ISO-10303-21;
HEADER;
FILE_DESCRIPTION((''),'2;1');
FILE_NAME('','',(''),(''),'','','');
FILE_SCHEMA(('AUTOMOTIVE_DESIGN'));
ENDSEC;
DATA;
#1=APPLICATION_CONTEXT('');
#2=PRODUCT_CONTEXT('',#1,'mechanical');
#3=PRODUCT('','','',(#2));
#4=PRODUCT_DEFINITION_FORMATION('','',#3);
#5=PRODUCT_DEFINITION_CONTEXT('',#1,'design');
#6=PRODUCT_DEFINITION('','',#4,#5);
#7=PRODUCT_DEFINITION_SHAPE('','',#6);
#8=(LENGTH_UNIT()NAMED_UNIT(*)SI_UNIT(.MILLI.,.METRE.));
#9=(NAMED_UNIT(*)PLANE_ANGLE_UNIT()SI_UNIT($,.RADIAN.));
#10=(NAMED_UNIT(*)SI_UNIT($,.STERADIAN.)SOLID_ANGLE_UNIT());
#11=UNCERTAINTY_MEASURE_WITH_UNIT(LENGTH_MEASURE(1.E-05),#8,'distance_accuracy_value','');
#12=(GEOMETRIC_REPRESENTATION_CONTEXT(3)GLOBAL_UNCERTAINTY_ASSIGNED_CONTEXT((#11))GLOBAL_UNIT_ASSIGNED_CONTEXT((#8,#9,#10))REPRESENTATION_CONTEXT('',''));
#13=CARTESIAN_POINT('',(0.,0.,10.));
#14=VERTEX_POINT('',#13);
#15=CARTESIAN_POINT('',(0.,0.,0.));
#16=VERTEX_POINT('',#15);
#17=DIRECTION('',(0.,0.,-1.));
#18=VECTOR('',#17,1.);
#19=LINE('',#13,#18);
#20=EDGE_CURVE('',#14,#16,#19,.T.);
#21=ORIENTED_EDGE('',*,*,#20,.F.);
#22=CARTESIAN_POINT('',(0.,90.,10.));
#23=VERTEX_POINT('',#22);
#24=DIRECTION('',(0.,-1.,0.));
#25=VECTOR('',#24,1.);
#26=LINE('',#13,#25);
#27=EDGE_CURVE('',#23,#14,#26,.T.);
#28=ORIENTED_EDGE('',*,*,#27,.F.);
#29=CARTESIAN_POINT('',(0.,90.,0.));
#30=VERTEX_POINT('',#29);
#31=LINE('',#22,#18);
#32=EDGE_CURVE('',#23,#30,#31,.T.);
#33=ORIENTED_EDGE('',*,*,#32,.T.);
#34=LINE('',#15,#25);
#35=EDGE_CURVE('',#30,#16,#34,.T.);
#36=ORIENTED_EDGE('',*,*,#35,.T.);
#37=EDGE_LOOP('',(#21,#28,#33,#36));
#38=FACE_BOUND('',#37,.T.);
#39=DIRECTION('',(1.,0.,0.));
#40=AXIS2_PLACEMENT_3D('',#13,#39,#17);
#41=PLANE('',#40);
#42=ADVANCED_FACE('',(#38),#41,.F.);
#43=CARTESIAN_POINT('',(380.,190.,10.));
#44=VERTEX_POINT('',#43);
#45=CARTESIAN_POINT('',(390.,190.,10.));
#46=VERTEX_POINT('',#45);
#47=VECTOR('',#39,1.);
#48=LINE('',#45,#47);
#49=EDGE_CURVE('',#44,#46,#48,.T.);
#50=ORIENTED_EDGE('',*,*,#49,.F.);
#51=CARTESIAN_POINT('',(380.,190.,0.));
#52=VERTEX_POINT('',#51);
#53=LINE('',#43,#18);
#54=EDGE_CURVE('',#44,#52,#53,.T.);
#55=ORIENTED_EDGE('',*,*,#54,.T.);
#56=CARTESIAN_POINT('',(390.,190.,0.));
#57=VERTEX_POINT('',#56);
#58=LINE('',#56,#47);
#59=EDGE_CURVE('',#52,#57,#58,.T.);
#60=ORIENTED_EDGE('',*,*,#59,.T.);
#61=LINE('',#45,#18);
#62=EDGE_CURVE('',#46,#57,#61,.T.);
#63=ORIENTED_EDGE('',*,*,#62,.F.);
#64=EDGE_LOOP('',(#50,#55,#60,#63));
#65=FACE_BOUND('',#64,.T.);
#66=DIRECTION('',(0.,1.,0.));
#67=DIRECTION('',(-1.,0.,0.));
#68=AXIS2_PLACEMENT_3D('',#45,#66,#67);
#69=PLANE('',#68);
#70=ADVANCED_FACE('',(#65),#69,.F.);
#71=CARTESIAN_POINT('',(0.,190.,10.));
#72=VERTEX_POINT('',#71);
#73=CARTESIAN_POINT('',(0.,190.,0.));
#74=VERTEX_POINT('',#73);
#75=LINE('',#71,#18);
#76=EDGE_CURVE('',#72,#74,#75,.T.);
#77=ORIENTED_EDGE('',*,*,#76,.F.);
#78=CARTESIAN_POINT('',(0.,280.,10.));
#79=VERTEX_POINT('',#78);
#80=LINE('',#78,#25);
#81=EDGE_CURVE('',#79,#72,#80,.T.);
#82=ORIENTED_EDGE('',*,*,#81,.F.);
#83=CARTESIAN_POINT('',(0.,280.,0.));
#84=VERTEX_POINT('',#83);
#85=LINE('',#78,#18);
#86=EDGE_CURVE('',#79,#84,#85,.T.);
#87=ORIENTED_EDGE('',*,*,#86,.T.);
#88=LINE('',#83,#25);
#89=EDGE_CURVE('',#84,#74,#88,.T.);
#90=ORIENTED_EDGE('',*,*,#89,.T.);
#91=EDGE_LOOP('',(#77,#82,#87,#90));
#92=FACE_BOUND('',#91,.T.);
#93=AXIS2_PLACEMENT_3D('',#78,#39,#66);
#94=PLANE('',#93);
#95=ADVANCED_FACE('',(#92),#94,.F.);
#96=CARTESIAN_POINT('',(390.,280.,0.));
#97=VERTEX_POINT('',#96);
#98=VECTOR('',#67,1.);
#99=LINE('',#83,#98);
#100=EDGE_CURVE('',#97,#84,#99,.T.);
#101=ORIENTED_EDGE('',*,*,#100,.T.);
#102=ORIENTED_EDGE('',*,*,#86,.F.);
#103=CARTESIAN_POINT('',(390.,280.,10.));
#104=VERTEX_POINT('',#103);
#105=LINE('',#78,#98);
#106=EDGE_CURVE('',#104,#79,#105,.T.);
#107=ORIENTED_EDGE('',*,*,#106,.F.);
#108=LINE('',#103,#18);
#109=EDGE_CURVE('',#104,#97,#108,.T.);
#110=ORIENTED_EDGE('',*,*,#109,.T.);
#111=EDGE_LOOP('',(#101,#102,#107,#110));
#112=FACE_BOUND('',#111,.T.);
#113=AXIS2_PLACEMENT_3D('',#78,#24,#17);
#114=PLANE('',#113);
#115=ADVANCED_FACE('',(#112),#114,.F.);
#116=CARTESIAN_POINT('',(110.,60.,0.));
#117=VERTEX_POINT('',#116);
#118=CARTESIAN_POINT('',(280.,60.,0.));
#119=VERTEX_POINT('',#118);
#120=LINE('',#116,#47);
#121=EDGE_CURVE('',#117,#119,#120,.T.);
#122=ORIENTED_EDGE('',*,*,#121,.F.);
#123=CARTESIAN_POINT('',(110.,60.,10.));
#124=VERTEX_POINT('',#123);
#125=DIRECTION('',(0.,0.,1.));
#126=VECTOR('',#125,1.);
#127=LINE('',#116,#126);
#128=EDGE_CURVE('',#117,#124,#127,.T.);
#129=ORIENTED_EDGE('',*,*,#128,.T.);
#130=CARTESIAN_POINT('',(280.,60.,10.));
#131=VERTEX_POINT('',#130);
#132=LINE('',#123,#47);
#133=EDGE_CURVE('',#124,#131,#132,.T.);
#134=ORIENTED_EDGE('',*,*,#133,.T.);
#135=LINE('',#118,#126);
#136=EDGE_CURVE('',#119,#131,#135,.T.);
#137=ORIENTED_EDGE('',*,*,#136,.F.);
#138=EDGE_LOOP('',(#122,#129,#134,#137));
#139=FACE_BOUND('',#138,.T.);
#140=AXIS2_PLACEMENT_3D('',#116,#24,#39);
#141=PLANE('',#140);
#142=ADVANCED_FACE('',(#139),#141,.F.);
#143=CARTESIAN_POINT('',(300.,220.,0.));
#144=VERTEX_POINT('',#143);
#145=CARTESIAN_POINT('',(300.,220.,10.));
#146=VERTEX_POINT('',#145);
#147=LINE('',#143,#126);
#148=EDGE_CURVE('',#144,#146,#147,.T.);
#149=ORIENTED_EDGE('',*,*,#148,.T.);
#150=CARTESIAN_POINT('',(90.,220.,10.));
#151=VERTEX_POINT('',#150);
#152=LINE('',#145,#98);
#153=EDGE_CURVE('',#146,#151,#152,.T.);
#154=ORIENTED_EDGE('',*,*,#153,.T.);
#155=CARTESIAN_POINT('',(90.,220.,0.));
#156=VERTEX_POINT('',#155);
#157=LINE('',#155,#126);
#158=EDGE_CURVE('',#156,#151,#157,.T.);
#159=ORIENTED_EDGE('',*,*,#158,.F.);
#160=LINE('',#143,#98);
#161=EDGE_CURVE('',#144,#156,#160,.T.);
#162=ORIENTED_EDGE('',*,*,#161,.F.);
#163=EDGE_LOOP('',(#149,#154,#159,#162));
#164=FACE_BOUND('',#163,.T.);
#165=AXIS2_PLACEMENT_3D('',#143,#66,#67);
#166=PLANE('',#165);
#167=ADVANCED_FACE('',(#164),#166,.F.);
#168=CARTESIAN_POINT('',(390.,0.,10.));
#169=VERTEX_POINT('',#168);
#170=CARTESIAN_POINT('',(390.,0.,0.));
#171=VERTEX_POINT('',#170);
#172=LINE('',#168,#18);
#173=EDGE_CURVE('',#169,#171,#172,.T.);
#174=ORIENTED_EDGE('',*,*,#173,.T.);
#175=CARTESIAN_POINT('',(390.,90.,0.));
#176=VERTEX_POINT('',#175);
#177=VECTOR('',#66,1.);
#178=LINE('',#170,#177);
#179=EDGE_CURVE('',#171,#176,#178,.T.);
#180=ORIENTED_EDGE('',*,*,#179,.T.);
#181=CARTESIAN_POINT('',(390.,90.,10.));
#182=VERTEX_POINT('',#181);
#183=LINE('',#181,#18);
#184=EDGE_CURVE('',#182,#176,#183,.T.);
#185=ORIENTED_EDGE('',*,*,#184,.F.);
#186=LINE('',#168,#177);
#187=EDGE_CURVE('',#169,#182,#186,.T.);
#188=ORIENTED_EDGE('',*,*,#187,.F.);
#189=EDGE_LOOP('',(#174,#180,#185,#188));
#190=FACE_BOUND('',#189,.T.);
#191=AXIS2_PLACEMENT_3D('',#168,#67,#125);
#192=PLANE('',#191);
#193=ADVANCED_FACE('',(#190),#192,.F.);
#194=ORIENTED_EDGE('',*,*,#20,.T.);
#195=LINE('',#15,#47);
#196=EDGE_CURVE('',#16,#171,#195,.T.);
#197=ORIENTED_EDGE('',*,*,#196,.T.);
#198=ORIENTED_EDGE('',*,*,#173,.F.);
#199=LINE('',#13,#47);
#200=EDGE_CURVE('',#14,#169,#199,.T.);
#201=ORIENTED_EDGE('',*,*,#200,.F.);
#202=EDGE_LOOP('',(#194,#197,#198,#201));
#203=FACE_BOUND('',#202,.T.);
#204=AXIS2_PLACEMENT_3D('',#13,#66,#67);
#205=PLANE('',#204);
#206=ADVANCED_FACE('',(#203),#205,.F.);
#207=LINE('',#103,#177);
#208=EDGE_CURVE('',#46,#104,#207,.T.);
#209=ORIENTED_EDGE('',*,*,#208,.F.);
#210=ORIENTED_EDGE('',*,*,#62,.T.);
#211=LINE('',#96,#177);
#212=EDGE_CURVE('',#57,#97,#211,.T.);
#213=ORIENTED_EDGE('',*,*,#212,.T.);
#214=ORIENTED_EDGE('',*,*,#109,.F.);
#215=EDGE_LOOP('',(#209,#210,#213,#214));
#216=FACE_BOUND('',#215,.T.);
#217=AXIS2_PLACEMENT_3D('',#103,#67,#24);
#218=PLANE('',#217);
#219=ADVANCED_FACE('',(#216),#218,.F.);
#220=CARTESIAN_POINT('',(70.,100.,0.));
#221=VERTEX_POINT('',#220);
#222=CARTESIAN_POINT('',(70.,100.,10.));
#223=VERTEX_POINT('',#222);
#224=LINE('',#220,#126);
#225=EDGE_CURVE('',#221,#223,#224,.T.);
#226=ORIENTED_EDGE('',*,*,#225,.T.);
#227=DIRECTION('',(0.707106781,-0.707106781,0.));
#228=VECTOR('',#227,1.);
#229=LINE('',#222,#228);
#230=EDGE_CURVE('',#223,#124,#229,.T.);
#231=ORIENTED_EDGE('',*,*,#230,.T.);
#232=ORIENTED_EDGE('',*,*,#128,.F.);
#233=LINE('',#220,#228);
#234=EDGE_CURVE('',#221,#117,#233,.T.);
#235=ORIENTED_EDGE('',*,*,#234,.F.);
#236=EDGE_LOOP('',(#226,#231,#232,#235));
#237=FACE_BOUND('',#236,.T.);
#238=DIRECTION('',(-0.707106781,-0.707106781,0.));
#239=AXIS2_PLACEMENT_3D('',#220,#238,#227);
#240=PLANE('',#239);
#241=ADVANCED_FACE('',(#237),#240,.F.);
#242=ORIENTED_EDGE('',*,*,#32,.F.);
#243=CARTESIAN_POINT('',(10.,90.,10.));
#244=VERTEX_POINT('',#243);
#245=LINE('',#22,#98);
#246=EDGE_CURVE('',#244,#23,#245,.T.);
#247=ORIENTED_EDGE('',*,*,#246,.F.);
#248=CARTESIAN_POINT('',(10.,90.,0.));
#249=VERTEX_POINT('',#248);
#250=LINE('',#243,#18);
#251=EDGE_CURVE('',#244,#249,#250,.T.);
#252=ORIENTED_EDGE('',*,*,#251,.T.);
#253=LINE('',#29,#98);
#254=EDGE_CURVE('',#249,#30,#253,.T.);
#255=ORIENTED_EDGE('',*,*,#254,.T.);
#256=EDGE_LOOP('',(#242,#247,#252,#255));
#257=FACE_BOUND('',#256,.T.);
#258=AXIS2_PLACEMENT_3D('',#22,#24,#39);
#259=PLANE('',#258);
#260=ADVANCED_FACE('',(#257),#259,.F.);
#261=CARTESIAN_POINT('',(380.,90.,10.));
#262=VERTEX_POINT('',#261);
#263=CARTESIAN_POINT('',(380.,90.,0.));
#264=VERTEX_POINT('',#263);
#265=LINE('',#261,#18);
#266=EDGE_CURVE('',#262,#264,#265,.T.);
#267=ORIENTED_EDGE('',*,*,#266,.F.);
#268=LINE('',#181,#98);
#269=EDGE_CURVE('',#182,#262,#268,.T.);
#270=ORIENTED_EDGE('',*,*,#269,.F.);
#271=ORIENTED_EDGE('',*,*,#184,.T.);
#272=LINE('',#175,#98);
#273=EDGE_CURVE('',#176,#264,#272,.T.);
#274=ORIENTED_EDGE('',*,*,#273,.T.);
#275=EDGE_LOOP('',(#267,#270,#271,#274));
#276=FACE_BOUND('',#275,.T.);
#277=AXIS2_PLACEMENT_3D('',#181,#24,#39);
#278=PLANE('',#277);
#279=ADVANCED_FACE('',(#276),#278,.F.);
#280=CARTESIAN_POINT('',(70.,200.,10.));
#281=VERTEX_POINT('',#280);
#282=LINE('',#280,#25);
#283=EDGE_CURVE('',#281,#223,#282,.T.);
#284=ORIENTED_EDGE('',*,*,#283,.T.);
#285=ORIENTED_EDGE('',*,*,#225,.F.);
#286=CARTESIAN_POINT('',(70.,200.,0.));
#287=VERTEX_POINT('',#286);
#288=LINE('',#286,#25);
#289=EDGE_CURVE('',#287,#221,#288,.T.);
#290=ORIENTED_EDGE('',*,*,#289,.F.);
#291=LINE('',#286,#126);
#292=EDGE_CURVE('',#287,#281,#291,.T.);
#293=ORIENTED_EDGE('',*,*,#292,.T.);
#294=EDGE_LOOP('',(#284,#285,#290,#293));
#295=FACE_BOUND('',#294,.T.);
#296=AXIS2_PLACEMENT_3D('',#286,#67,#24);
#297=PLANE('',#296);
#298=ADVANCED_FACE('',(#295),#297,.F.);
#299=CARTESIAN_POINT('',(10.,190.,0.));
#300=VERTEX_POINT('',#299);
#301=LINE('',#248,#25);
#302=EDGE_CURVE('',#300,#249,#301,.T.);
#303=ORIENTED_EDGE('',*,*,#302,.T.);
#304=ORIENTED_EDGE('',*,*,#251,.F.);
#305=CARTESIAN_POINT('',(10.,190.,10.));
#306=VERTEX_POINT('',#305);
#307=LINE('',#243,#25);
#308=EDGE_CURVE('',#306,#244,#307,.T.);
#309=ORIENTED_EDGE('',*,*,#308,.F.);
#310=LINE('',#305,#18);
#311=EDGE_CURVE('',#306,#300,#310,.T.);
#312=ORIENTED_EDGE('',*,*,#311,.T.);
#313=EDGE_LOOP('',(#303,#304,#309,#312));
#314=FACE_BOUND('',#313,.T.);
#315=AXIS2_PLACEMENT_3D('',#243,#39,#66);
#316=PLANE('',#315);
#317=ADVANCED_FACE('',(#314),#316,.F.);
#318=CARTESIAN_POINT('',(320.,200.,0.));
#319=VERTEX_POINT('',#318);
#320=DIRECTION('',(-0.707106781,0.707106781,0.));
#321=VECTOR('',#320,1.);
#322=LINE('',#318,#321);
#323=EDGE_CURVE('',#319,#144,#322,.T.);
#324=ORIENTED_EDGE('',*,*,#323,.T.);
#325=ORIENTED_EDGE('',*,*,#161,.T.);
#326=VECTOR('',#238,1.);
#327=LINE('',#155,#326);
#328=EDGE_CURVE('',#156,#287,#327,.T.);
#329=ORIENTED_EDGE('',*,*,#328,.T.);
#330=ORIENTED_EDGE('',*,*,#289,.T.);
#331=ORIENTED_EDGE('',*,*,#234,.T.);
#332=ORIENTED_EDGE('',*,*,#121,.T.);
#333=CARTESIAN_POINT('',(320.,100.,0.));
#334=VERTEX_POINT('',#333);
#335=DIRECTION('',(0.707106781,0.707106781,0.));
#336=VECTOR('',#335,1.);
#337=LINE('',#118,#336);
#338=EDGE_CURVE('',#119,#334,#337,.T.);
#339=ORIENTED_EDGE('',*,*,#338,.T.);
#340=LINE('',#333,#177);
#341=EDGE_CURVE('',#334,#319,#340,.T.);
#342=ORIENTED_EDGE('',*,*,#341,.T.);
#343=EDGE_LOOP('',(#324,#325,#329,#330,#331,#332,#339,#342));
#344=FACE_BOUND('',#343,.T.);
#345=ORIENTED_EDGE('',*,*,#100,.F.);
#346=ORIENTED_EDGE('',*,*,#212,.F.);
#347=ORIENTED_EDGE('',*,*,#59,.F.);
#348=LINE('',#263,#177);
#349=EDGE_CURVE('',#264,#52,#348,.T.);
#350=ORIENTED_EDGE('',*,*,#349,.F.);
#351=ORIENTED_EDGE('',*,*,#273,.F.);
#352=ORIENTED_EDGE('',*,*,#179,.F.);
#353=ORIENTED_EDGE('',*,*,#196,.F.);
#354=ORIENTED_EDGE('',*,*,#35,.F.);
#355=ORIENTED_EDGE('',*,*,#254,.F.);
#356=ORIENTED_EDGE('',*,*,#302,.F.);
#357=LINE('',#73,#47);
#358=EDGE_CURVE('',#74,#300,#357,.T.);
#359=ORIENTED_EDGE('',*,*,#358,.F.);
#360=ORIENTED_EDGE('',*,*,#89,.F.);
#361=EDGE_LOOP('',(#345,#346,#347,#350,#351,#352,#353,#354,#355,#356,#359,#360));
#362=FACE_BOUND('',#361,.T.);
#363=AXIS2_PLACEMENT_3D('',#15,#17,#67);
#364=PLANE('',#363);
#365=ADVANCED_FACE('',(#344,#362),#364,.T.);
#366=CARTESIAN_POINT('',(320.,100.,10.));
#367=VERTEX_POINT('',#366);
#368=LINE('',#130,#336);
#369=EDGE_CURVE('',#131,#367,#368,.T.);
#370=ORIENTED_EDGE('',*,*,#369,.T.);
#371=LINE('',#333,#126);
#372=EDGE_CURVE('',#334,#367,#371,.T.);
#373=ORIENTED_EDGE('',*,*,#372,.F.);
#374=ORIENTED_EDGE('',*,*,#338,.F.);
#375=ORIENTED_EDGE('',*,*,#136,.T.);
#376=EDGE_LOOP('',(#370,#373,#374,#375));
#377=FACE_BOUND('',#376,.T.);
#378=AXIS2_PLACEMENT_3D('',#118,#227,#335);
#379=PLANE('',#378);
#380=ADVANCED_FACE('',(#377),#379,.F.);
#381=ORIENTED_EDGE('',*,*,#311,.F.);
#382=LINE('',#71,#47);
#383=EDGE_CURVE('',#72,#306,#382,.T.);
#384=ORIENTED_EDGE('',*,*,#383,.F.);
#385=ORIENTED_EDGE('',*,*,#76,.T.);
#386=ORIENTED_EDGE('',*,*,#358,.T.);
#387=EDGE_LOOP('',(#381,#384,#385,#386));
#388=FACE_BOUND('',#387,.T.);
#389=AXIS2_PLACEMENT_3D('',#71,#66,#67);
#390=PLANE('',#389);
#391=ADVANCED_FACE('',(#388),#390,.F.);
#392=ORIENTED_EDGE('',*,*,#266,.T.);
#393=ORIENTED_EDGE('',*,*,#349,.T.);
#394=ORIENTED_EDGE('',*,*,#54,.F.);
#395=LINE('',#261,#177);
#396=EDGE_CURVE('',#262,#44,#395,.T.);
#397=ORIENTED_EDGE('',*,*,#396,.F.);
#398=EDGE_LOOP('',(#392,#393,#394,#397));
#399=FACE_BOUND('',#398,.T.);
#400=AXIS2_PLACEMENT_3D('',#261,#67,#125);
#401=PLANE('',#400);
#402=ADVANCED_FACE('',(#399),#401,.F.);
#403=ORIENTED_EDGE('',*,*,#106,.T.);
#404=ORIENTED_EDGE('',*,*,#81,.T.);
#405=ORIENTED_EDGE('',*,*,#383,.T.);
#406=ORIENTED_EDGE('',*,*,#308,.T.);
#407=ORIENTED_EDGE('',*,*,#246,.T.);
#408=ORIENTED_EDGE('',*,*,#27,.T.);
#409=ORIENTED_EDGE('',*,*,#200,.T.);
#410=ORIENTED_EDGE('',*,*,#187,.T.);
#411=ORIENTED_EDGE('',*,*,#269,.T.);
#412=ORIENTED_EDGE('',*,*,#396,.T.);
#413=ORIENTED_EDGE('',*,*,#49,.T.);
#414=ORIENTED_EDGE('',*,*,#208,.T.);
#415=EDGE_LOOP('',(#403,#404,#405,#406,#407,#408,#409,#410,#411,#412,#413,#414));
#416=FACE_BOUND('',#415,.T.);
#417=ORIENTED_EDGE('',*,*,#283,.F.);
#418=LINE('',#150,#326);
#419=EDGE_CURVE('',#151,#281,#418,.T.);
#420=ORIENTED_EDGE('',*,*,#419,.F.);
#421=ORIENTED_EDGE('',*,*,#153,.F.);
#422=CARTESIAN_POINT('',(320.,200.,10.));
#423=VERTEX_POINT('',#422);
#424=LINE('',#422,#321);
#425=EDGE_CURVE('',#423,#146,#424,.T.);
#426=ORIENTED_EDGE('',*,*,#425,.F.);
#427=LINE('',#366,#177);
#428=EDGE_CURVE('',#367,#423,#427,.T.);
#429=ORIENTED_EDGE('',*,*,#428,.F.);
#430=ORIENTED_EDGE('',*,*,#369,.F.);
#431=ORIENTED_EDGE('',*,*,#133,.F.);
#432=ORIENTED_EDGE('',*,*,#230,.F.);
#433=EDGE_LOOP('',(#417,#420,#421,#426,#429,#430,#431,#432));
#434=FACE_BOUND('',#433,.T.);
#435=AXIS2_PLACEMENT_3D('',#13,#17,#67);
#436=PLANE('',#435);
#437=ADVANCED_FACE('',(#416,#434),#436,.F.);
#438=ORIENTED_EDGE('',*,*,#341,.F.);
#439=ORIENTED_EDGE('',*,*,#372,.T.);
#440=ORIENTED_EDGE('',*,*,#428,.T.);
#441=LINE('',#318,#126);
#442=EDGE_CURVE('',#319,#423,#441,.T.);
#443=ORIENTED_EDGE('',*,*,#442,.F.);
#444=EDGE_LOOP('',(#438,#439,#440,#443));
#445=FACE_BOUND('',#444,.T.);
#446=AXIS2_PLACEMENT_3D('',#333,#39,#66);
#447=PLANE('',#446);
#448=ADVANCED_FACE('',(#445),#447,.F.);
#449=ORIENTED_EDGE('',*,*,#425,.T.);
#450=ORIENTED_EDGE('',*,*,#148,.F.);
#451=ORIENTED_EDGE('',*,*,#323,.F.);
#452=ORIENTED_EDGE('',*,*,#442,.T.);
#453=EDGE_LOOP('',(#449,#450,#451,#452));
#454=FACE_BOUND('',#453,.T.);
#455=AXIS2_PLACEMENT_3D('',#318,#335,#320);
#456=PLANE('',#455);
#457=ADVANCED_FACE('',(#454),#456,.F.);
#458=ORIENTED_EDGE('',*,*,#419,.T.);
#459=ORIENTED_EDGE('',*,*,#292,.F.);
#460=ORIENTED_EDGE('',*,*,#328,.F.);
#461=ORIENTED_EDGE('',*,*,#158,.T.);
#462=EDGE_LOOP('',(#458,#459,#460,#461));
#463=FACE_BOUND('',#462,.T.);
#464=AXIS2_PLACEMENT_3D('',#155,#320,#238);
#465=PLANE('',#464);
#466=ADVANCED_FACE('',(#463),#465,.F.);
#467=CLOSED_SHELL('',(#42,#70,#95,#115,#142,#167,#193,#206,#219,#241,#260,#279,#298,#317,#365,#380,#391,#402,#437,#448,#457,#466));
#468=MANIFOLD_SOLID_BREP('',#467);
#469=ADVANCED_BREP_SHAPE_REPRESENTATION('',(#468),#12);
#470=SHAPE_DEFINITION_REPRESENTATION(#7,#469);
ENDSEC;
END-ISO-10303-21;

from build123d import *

# Parameters (mm, degrees)
BOSS_EXTRU_2_DEPTH      = 10
ENL_V_MAT_EXTRU_1_DEPTH = 10


with BuildPart() as part:
    # Esquisse1 → Boss.-Extru.2 (new body)
    with BuildSketch(Plane.XY):
        Polygon((0, 0), (390, 0), (390, 90), (380, 90), (380, 190), (390, 190), (390, 280), (0, 280), (0, 190), (10, 190), (10, 90), (0, 90), align=None)
    extrude(amount=BOSS_EXTRU_2_DEPTH)

    # Esquisse3 → Enlèv. mat.-Extru.1 (cut)
    with BuildSketch(Plane.XY.offset(10)):
        Polygon((70, 100), (110, 60), (280, 60), (320, 100), (320, 200), (300, 220), (90, 220), (70, 200), align=None)
    extrude(amount=-ENL_V_MAT_EXTRU_1_DEPTH, mode=Mode.SUBTRACT)


solid = part.part
